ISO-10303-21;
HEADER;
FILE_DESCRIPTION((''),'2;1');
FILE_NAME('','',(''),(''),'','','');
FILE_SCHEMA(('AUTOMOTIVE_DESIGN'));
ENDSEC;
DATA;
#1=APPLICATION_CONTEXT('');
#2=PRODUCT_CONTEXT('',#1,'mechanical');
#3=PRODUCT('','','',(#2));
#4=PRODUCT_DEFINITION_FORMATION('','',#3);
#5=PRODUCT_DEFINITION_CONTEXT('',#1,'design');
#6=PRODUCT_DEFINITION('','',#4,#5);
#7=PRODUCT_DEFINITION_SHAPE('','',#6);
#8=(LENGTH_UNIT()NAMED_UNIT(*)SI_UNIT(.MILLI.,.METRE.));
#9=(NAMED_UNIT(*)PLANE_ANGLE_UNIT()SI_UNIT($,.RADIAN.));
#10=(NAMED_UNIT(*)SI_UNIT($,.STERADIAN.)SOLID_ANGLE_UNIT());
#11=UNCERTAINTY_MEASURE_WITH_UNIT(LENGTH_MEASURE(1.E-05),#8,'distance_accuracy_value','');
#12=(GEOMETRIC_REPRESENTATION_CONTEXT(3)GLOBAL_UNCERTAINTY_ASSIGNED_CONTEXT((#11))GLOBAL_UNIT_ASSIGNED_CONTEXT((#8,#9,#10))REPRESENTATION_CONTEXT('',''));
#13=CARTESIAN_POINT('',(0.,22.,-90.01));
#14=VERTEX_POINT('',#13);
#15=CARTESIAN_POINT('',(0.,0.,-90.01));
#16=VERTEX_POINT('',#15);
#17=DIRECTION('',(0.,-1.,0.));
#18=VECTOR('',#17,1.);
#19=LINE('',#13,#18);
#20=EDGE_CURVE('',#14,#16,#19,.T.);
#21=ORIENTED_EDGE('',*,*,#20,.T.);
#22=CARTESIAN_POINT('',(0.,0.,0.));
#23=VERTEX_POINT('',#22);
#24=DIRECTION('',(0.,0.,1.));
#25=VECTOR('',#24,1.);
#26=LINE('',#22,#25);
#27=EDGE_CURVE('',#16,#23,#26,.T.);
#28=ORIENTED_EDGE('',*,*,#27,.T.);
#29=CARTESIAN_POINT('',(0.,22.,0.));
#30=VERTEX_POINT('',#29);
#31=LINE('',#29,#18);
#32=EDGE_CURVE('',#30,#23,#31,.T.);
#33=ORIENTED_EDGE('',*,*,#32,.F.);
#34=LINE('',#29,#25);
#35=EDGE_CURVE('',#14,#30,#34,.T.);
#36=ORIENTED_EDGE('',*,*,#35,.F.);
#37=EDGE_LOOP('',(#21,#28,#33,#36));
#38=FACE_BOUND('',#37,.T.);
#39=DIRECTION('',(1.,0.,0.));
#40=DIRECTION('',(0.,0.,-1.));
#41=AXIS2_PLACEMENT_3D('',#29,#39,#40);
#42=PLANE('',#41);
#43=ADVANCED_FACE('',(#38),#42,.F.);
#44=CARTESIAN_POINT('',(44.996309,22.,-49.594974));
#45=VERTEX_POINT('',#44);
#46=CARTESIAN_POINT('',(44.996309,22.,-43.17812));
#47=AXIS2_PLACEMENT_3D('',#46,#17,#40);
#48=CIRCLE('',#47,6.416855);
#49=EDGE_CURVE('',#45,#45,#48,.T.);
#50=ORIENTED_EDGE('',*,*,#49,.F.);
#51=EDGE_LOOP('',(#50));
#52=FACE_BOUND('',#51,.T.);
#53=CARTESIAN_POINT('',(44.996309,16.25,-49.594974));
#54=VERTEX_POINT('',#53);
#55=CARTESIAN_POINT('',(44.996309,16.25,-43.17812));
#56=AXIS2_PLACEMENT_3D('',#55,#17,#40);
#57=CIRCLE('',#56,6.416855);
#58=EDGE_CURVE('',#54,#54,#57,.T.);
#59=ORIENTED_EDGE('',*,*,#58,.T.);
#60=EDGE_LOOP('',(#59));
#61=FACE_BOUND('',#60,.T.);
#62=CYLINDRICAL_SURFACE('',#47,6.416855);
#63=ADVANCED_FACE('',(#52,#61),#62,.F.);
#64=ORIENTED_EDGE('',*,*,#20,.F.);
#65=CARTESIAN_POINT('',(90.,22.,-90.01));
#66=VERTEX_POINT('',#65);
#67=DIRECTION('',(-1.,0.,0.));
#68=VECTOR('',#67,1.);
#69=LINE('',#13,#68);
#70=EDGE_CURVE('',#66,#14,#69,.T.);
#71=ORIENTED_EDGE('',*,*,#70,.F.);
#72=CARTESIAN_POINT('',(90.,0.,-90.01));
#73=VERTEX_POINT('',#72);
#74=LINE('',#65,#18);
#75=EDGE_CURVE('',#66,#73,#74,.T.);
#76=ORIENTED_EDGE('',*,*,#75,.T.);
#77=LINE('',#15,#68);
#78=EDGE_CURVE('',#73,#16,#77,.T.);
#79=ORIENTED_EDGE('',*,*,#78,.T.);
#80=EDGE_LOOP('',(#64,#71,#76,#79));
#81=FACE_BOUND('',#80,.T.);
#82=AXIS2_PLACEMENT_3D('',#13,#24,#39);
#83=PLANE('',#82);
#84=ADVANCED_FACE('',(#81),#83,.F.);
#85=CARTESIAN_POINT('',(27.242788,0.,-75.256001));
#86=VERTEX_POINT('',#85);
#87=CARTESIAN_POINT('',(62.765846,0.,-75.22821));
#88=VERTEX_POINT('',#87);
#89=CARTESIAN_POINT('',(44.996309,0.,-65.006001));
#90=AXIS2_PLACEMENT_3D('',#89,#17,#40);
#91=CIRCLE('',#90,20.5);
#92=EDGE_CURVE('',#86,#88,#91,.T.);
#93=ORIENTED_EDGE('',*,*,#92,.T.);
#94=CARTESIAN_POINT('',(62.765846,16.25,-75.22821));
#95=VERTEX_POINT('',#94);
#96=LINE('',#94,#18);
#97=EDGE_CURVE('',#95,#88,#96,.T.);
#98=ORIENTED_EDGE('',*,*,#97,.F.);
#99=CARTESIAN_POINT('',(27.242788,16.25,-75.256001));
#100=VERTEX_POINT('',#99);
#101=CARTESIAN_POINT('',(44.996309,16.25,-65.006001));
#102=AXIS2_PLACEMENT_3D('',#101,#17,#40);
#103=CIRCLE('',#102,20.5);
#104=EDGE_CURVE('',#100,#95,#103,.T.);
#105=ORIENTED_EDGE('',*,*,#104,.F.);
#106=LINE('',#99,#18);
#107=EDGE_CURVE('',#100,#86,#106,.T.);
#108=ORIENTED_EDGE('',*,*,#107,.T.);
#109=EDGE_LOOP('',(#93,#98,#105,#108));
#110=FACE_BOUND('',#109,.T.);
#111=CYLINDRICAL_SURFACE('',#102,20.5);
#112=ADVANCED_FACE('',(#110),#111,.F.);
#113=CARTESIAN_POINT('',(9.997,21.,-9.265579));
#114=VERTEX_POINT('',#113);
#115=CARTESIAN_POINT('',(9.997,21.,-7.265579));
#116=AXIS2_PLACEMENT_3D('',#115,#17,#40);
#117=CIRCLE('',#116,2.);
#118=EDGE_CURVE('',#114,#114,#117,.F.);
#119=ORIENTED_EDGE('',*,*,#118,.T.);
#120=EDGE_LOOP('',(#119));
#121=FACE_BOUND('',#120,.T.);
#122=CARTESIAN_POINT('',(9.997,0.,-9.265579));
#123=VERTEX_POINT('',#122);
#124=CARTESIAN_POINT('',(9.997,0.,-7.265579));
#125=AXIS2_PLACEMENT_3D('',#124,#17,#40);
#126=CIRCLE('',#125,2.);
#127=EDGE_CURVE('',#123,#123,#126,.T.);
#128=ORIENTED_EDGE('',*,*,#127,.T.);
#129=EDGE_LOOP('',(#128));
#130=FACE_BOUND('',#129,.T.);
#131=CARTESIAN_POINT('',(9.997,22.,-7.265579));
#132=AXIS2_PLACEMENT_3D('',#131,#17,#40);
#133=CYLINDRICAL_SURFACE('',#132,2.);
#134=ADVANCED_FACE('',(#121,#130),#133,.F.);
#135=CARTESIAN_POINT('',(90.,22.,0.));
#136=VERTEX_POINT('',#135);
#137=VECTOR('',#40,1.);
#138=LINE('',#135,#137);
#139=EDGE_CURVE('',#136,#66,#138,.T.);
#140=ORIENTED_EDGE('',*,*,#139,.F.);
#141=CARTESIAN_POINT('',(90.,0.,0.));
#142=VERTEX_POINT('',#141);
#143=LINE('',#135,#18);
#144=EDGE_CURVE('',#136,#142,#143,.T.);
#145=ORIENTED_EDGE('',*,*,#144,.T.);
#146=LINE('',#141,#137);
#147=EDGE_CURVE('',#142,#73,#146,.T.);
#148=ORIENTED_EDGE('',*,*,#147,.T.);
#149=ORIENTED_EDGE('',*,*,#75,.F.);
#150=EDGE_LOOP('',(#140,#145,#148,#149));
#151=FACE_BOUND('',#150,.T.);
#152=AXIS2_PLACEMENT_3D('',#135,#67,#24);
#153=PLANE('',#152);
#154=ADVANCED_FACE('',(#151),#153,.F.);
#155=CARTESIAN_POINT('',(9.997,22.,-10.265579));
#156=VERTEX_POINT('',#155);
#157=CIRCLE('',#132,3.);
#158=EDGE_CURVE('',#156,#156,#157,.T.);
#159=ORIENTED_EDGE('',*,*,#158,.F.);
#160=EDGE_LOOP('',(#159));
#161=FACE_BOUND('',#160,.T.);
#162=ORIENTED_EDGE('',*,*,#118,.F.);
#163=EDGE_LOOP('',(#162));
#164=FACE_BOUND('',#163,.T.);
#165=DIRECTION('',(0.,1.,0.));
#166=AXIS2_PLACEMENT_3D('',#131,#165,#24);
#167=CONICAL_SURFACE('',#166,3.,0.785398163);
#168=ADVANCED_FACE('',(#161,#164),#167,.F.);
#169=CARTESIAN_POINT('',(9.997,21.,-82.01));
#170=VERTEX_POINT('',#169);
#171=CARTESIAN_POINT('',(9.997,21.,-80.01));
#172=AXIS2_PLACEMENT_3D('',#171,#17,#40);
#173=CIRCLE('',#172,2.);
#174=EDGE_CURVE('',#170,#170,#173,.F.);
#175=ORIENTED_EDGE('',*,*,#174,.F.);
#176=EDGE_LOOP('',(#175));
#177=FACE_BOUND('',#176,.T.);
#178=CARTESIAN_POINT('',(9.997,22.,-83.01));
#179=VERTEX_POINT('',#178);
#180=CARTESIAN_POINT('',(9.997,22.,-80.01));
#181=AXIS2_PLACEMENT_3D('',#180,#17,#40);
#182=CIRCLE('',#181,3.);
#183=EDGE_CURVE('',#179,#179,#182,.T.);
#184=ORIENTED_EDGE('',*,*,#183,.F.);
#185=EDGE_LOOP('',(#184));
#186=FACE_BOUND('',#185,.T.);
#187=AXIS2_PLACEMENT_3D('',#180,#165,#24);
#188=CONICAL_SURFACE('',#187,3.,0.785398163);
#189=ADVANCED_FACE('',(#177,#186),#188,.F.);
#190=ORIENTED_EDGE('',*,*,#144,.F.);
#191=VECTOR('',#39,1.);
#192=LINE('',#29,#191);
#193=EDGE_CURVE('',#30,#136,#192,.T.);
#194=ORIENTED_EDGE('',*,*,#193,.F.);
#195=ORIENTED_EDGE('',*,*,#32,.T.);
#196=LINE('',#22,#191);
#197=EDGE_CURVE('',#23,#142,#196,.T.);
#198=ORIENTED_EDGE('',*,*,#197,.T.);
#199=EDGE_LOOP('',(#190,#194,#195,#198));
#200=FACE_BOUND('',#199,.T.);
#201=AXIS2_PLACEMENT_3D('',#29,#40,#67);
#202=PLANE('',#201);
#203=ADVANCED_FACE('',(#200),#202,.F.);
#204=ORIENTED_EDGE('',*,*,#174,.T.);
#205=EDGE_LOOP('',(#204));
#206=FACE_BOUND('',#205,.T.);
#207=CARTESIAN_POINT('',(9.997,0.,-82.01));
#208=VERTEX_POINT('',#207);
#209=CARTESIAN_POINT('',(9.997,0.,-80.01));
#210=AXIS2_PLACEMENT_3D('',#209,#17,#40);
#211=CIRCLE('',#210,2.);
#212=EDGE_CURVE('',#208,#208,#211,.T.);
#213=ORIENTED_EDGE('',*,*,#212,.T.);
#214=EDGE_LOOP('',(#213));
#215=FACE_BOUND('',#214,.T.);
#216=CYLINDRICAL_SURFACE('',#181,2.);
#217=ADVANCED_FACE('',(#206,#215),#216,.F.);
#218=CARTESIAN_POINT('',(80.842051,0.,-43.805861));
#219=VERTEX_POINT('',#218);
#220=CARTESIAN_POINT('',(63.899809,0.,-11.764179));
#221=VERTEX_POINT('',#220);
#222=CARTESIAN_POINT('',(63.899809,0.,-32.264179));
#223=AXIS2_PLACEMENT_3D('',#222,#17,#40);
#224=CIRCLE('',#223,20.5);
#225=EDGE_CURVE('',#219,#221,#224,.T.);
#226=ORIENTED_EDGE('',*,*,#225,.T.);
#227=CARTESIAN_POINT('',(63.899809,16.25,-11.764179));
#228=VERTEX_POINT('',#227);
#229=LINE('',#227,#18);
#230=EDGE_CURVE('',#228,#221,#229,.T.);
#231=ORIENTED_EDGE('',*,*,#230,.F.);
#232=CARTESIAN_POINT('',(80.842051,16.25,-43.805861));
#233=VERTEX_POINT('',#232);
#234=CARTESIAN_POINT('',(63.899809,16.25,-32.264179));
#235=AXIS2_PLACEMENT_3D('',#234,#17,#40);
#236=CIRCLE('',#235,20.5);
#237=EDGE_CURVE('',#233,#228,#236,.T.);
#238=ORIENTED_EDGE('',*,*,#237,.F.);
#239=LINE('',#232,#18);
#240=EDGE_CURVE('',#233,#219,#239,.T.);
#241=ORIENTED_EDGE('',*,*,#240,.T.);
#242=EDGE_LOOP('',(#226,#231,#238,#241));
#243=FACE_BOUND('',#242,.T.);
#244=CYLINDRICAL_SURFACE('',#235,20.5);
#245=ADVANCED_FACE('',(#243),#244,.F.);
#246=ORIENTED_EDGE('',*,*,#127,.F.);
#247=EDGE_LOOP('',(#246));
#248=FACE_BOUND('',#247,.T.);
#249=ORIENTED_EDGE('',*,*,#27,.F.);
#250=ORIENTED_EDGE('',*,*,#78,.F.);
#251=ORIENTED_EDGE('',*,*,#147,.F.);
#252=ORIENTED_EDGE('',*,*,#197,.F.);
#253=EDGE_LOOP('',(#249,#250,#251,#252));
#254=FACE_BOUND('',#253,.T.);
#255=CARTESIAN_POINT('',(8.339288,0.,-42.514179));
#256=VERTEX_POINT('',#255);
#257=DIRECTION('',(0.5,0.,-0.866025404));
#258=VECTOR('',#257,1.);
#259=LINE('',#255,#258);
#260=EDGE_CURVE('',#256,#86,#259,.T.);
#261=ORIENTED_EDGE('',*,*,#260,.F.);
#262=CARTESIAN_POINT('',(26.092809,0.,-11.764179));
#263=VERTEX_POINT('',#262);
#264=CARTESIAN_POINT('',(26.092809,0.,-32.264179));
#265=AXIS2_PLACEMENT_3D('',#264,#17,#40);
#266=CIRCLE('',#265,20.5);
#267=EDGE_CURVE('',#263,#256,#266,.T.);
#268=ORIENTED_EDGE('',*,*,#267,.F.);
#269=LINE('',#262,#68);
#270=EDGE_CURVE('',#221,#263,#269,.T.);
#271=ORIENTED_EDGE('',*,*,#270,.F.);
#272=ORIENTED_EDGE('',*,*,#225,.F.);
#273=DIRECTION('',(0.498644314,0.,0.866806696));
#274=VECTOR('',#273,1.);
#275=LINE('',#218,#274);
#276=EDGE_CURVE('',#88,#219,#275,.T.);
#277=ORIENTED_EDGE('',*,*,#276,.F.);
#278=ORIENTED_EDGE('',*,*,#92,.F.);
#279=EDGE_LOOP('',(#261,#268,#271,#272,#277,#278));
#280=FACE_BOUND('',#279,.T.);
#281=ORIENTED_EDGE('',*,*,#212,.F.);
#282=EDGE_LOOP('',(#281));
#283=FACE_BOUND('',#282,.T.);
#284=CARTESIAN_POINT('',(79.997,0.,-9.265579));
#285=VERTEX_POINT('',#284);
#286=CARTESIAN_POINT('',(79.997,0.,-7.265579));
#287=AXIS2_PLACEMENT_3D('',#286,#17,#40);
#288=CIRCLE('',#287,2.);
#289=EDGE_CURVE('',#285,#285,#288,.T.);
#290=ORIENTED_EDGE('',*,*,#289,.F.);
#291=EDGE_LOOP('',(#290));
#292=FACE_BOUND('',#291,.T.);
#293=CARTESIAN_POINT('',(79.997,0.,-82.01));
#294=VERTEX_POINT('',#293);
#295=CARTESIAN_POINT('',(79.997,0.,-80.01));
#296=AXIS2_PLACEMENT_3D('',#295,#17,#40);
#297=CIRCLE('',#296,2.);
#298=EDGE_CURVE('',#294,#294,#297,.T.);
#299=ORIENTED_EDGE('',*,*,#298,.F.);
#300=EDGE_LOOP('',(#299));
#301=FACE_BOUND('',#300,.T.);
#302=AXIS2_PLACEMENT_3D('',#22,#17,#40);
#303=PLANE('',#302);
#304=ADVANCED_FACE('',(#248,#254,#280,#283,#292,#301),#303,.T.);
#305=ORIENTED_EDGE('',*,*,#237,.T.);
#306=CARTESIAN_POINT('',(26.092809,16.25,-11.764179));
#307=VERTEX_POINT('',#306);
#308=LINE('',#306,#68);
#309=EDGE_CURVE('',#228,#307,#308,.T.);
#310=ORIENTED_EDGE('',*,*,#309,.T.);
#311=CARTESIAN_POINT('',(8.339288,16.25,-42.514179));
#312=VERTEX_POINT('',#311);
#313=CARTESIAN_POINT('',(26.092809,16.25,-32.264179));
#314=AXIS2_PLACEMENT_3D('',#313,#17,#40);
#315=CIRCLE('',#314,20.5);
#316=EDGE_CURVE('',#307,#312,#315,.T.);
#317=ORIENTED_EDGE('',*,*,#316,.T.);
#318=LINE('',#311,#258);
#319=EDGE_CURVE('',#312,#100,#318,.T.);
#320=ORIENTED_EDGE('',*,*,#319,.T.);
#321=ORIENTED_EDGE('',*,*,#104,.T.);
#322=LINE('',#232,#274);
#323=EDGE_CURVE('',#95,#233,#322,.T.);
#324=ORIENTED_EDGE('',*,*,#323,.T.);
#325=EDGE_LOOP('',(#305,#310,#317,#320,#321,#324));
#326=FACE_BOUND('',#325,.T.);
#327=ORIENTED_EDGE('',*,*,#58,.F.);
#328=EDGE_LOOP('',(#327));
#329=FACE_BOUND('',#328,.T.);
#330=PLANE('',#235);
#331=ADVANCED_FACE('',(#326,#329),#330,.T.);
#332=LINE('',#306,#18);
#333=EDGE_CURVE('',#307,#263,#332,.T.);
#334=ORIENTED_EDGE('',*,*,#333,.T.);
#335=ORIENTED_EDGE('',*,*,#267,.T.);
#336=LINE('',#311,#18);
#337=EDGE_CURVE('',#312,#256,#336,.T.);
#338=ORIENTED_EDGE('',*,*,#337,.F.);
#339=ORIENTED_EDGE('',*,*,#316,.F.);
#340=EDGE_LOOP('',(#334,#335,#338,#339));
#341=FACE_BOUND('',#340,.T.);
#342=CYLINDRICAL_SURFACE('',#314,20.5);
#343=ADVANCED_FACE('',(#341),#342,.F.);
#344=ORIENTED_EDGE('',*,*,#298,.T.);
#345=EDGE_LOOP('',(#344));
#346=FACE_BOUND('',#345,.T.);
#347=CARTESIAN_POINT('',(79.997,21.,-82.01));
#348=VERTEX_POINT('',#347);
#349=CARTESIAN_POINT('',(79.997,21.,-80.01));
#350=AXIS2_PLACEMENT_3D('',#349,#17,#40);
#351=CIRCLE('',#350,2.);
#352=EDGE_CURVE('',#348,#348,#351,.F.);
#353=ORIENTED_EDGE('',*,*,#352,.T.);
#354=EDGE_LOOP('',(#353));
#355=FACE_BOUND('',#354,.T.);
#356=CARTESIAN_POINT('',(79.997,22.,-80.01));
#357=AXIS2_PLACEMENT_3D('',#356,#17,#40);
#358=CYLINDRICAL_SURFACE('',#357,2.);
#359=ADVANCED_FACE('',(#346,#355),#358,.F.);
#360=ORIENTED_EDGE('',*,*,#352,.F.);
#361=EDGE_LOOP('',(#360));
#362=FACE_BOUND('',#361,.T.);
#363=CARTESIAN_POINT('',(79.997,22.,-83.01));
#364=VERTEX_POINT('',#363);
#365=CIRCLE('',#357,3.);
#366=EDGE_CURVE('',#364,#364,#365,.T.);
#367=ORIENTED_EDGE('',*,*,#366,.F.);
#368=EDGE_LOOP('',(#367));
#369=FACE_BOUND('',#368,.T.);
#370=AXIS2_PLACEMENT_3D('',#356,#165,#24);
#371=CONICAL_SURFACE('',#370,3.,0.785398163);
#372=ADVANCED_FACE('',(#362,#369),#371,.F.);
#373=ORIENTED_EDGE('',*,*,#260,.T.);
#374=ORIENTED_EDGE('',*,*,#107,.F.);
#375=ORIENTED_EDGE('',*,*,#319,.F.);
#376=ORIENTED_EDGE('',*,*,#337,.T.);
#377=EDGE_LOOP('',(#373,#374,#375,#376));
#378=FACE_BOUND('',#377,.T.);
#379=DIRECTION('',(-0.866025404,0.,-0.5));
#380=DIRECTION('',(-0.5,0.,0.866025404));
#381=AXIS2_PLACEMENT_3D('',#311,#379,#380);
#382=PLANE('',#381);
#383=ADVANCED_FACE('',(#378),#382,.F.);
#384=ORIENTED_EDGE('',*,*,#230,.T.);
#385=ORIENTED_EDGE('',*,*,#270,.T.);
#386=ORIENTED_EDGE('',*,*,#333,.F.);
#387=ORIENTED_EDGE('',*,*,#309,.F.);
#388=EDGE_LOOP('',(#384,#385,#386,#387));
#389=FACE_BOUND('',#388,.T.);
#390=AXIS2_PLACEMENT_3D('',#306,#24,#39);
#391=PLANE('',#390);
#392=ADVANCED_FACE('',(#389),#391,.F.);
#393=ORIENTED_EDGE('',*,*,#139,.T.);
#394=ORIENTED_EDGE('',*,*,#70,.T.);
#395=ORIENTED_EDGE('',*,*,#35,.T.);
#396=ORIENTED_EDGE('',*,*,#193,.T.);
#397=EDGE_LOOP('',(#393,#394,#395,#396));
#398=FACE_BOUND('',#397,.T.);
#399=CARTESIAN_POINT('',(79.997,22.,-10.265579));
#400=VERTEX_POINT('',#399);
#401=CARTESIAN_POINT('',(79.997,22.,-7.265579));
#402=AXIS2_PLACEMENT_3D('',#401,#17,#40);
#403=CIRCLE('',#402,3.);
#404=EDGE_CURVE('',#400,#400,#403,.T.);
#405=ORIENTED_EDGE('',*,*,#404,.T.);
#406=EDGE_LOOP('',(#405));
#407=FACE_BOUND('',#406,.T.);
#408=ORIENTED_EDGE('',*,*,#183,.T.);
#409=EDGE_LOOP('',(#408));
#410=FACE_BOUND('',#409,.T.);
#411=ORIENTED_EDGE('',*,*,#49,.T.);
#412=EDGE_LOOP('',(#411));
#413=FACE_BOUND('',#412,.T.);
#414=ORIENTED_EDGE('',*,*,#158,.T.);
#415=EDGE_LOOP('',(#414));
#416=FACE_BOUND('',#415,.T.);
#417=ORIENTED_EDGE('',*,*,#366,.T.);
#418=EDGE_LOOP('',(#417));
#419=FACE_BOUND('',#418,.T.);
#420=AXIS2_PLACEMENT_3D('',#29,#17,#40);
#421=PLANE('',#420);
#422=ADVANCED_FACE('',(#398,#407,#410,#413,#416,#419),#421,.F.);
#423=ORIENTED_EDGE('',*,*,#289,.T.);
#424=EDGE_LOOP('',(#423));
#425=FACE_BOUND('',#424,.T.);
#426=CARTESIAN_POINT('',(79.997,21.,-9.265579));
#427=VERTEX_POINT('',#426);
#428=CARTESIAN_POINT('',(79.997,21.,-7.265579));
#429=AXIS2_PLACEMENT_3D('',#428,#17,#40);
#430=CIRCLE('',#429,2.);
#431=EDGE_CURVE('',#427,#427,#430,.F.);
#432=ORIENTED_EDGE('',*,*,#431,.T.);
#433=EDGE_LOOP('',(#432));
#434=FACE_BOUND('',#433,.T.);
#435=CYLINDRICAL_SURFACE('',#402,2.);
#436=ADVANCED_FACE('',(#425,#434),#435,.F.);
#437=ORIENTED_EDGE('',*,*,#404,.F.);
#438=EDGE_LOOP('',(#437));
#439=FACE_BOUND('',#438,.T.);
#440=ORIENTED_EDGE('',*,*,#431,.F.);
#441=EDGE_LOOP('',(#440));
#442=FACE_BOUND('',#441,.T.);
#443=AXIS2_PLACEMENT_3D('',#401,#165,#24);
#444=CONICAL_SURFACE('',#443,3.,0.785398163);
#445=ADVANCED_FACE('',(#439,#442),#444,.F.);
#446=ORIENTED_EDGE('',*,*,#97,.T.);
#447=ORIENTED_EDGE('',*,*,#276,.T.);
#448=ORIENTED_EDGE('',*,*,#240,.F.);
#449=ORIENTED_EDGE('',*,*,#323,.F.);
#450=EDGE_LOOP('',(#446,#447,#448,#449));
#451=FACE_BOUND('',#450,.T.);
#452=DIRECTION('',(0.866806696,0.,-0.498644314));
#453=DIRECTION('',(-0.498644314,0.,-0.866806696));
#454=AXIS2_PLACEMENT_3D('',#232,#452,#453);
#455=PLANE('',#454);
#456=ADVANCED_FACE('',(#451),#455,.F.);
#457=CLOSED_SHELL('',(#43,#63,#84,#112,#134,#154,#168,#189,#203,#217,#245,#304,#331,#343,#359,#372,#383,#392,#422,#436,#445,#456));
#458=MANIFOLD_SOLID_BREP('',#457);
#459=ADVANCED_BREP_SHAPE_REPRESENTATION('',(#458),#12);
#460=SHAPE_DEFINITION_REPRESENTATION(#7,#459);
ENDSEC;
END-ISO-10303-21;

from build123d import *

# Parameters (mm, degrees)
SKETCH1_W               = 90
SKETCH1_H               = 90.01
BOSS_EXTRUDE1_DEPTH     = 22
SKETCH2_R               = 2
CUT_EXTRUDE1_DEPTH      = 1
CUT_EXTRUDE1_DEPTH_BACK = 23
CUT_EXTRUDE2_DEPTH      = 16.25
SKETCH4_R               = 6.416854585
CUT_EXTRUDE3_DEPTH      = 6.75
CHAMFER1_SIZE           = 1


with BuildPart() as part:
    # Sketch1 → Boss-Extrude1 (new body)
    with BuildSketch(Plane(origin=(0, 0, 0), x_dir=(1, 0, 0), z_dir=(0, 1, 0))):
        with Locations((45, 45.005)):
            Rectangle(SKETCH1_W, SKETCH1_H)
    extrude(amount=BOSS_EXTRUDE1_DEPTH)

    # Sketch2 → Cut-Extrude1 (cut, two sides)
    with BuildSketch(Plane.XZ) as cut_extrude1_sk:
        with Locations((9.997, -7.265579483)):
            Circle(SKETCH2_R)
        with Locations((9.997, -80.01)):
            Circle(SKETCH2_R)
        with Locations((79.997, -7.265579483)):
            Circle(SKETCH2_R)
        with Locations((79.997, -80.01)):
            Circle(SKETCH2_R)
    extrude(amount=CUT_EXTRUDE1_DEPTH, mode=Mode.SUBTRACT)
    extrude(cut_extrude1_sk.sketch, amount=-CUT_EXTRUDE1_DEPTH_BACK, mode=Mode.SUBTRACT)

    # Sketch3 → Cut-Extrude2 (cut)
    with BuildSketch(Plane.XZ):
        with BuildLine():
            Line((26.092808525, -11.764178956), (63.899808525, -11.764178956))
            ThreePointArc((63.899808525, -11.764178956), (82.022370223, -22.681759768), (80.842050765, -43.805861151))
            Line((80.842050765, -43.805861151), (62.765845791, -75.228209836))
            ThreePointArc((62.765845791, -75.228209836), (45.012346751, -85.505995123), (27.242787748, -75.256001397))
            Line((27.242787748, -75.256001397), (8.339287748, -42.514178956))
            ThreePointArc((8.339287748, -42.514178956), (8.339287748, -22.014178956), (26.092808525, -11.764178956))
        make_face()
    extrude(amount=-CUT_EXTRUDE2_DEPTH, mode=Mode.SUBTRACT)

    # Sketch4 → Cut-Extrude3 (cut, through all)
    with BuildSketch(Plane.XZ.offset(-16.25)):
        with Locations((44.996308525, -43.17811977)):
            Circle(SKETCH4_R)
    extrude(amount=-CUT_EXTRUDE3_DEPTH, mode=Mode.SUBTRACT)

    # Chamfer1
    chamfer1_edges = [part.edges().sort_by_distance(p)[0] for p in [
        (7.997, 22, -7.265579483),
        (7.997, 22, -80.01),
        (77.997, 22, -7.265579483),
        (77.997, 22, -80.01),
    ]]
    chamfer(chamfer1_edges, length=CHAMFER1_SIZE)


solid = part.part
